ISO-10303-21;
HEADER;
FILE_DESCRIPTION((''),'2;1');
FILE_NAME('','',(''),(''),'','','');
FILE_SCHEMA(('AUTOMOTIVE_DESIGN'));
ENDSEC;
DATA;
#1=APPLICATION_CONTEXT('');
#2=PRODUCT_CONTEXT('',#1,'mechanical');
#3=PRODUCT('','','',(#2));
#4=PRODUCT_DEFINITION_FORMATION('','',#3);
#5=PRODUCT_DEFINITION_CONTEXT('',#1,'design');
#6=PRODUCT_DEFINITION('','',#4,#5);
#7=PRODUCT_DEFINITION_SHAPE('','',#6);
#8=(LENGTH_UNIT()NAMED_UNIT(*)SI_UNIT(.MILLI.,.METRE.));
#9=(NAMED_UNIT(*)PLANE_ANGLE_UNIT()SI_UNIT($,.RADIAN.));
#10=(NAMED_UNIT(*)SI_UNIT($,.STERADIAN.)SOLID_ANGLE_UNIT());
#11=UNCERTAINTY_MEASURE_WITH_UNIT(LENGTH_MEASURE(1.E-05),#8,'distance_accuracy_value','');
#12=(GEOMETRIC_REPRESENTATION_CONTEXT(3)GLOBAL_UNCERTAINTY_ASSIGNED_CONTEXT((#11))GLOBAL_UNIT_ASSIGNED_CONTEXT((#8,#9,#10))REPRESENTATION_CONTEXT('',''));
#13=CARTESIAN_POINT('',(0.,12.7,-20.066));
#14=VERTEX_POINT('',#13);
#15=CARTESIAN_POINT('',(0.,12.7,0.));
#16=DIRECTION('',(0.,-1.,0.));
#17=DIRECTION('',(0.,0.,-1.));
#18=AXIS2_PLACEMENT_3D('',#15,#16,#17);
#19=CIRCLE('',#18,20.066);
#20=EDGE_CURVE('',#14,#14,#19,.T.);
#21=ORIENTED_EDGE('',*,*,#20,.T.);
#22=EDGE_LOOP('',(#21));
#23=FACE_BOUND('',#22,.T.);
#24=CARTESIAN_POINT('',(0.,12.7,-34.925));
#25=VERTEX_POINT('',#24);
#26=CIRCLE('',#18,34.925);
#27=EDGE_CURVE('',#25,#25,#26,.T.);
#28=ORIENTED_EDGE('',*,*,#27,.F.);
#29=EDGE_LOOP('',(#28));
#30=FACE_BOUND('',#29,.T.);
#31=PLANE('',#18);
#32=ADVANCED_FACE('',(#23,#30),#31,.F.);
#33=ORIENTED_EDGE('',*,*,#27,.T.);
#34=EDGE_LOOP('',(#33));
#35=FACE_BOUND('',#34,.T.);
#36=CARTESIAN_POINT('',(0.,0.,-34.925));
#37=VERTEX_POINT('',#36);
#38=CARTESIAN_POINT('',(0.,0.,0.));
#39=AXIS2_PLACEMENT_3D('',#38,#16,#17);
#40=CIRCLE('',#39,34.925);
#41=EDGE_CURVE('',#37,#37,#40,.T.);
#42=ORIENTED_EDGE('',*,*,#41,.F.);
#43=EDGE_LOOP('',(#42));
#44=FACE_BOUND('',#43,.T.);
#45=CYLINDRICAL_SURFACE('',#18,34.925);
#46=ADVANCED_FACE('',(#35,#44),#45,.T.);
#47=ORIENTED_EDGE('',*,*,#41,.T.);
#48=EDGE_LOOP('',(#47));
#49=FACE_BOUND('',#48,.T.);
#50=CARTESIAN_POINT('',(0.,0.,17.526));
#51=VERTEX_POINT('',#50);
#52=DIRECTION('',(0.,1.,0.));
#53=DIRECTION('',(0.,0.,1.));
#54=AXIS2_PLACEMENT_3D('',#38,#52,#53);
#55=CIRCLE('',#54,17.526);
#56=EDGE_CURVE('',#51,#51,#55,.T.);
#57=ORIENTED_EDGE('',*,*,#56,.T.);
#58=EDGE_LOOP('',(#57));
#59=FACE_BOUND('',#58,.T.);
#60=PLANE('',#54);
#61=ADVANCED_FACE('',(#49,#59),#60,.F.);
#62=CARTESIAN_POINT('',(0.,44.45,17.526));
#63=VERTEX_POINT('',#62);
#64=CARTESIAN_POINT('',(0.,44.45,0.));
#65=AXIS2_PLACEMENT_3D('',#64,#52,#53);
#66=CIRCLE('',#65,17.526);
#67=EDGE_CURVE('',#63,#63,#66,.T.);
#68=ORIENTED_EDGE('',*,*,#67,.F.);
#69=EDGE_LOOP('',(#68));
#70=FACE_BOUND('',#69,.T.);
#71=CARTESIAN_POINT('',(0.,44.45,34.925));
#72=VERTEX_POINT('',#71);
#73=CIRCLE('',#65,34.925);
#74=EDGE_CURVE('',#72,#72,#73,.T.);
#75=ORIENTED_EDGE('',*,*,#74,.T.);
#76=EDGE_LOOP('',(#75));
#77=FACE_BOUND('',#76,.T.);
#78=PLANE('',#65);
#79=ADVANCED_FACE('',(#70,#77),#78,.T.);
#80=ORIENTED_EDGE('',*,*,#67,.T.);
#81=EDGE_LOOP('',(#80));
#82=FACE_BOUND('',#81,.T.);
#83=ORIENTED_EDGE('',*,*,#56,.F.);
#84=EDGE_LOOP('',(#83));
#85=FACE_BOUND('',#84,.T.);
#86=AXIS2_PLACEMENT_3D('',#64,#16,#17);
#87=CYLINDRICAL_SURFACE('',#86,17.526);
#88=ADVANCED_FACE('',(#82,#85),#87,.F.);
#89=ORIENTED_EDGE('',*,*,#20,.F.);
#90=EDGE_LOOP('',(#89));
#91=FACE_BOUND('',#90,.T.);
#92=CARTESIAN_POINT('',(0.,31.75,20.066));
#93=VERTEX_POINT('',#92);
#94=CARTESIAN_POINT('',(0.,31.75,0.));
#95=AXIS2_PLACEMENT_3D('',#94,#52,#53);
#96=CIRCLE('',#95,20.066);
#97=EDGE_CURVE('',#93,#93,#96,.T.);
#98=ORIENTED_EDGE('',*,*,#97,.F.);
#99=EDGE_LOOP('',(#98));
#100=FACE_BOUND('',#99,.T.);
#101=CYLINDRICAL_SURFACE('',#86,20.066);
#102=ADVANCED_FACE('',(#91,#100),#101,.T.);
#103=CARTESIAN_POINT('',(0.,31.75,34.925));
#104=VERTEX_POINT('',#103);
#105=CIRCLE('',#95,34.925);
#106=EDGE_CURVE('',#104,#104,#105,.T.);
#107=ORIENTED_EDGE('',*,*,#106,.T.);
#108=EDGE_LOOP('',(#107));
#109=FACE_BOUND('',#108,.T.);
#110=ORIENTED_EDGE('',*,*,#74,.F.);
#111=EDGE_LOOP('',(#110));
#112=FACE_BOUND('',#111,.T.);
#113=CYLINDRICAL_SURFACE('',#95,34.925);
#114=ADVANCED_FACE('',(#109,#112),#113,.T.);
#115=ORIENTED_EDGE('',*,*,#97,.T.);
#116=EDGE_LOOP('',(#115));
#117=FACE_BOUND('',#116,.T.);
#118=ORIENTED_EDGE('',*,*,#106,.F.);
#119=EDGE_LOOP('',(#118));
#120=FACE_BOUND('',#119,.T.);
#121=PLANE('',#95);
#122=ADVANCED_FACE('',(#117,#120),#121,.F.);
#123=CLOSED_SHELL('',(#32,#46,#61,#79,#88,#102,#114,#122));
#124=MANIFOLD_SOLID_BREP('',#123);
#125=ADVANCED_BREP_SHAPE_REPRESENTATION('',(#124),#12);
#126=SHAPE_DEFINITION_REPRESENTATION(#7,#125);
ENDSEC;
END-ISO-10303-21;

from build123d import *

# Parameters (mm, degrees)
SKETCH1_R      = 20.066
SKETCH1_R_2    = 17.526
EXTRUDE1_DEPTH = 44.45
EXTRUDE2_START = -12.7
SKETCH2_R      = 34.925
SKETCH2_R_2    = 17.526
EXTRUDE2_DEPTH = 12.7
SKETCH3_R      = 34.925
SKETCH3_R_2    = 17.526
EXTRUDE3_DEPTH = 12.7


with BuildPart() as part:
    # Sketch1 → Extrude1 (new body)
    with BuildSketch(Plane(origin=(0, 0, 0), x_dir=(1, 0, 0), z_dir=(0, 1, 0))):
        with Locations(Location((0, 0, 0), (0, 0, 270))):
            Circle(SKETCH1_R)
        with Locations(Location((0, 0, 0), (0, 0, 270))):
            Circle(SKETCH1_R_2, mode=Mode.SUBTRACT)
    extrude(amount=EXTRUDE1_DEPTH)

    # Sketch2 → Extrude2 (add)
    with BuildSketch(Plane(origin=(0, 44.45, 0), x_dir=(1, 0, 0), z_dir=(0, 1, 0)).offset(EXTRUDE2_START)):
        with Locations(Location((0, 0, 0), (0, 0, 270))):
            Circle(SKETCH2_R)
        with Locations(Location((0, 0, 0), (0, 0, 270))):
            Circle(SKETCH2_R_2, mode=Mode.SUBTRACT)
    extrude(amount=EXTRUDE2_DEPTH)

    # Sketch3 → Extrude3 (add)
    with BuildSketch(Plane.XZ):
        with Locations(Location((0, 0, 0), (0, 0, 90))):
            Circle(SKETCH3_R)
        with Locations(Location((0, 0, 0), (0, 0, 90))):
            Circle(SKETCH3_R_2, mode=Mode.SUBTRACT)
    extrude(amount=-EXTRUDE3_DEPTH)


solid = part.part
